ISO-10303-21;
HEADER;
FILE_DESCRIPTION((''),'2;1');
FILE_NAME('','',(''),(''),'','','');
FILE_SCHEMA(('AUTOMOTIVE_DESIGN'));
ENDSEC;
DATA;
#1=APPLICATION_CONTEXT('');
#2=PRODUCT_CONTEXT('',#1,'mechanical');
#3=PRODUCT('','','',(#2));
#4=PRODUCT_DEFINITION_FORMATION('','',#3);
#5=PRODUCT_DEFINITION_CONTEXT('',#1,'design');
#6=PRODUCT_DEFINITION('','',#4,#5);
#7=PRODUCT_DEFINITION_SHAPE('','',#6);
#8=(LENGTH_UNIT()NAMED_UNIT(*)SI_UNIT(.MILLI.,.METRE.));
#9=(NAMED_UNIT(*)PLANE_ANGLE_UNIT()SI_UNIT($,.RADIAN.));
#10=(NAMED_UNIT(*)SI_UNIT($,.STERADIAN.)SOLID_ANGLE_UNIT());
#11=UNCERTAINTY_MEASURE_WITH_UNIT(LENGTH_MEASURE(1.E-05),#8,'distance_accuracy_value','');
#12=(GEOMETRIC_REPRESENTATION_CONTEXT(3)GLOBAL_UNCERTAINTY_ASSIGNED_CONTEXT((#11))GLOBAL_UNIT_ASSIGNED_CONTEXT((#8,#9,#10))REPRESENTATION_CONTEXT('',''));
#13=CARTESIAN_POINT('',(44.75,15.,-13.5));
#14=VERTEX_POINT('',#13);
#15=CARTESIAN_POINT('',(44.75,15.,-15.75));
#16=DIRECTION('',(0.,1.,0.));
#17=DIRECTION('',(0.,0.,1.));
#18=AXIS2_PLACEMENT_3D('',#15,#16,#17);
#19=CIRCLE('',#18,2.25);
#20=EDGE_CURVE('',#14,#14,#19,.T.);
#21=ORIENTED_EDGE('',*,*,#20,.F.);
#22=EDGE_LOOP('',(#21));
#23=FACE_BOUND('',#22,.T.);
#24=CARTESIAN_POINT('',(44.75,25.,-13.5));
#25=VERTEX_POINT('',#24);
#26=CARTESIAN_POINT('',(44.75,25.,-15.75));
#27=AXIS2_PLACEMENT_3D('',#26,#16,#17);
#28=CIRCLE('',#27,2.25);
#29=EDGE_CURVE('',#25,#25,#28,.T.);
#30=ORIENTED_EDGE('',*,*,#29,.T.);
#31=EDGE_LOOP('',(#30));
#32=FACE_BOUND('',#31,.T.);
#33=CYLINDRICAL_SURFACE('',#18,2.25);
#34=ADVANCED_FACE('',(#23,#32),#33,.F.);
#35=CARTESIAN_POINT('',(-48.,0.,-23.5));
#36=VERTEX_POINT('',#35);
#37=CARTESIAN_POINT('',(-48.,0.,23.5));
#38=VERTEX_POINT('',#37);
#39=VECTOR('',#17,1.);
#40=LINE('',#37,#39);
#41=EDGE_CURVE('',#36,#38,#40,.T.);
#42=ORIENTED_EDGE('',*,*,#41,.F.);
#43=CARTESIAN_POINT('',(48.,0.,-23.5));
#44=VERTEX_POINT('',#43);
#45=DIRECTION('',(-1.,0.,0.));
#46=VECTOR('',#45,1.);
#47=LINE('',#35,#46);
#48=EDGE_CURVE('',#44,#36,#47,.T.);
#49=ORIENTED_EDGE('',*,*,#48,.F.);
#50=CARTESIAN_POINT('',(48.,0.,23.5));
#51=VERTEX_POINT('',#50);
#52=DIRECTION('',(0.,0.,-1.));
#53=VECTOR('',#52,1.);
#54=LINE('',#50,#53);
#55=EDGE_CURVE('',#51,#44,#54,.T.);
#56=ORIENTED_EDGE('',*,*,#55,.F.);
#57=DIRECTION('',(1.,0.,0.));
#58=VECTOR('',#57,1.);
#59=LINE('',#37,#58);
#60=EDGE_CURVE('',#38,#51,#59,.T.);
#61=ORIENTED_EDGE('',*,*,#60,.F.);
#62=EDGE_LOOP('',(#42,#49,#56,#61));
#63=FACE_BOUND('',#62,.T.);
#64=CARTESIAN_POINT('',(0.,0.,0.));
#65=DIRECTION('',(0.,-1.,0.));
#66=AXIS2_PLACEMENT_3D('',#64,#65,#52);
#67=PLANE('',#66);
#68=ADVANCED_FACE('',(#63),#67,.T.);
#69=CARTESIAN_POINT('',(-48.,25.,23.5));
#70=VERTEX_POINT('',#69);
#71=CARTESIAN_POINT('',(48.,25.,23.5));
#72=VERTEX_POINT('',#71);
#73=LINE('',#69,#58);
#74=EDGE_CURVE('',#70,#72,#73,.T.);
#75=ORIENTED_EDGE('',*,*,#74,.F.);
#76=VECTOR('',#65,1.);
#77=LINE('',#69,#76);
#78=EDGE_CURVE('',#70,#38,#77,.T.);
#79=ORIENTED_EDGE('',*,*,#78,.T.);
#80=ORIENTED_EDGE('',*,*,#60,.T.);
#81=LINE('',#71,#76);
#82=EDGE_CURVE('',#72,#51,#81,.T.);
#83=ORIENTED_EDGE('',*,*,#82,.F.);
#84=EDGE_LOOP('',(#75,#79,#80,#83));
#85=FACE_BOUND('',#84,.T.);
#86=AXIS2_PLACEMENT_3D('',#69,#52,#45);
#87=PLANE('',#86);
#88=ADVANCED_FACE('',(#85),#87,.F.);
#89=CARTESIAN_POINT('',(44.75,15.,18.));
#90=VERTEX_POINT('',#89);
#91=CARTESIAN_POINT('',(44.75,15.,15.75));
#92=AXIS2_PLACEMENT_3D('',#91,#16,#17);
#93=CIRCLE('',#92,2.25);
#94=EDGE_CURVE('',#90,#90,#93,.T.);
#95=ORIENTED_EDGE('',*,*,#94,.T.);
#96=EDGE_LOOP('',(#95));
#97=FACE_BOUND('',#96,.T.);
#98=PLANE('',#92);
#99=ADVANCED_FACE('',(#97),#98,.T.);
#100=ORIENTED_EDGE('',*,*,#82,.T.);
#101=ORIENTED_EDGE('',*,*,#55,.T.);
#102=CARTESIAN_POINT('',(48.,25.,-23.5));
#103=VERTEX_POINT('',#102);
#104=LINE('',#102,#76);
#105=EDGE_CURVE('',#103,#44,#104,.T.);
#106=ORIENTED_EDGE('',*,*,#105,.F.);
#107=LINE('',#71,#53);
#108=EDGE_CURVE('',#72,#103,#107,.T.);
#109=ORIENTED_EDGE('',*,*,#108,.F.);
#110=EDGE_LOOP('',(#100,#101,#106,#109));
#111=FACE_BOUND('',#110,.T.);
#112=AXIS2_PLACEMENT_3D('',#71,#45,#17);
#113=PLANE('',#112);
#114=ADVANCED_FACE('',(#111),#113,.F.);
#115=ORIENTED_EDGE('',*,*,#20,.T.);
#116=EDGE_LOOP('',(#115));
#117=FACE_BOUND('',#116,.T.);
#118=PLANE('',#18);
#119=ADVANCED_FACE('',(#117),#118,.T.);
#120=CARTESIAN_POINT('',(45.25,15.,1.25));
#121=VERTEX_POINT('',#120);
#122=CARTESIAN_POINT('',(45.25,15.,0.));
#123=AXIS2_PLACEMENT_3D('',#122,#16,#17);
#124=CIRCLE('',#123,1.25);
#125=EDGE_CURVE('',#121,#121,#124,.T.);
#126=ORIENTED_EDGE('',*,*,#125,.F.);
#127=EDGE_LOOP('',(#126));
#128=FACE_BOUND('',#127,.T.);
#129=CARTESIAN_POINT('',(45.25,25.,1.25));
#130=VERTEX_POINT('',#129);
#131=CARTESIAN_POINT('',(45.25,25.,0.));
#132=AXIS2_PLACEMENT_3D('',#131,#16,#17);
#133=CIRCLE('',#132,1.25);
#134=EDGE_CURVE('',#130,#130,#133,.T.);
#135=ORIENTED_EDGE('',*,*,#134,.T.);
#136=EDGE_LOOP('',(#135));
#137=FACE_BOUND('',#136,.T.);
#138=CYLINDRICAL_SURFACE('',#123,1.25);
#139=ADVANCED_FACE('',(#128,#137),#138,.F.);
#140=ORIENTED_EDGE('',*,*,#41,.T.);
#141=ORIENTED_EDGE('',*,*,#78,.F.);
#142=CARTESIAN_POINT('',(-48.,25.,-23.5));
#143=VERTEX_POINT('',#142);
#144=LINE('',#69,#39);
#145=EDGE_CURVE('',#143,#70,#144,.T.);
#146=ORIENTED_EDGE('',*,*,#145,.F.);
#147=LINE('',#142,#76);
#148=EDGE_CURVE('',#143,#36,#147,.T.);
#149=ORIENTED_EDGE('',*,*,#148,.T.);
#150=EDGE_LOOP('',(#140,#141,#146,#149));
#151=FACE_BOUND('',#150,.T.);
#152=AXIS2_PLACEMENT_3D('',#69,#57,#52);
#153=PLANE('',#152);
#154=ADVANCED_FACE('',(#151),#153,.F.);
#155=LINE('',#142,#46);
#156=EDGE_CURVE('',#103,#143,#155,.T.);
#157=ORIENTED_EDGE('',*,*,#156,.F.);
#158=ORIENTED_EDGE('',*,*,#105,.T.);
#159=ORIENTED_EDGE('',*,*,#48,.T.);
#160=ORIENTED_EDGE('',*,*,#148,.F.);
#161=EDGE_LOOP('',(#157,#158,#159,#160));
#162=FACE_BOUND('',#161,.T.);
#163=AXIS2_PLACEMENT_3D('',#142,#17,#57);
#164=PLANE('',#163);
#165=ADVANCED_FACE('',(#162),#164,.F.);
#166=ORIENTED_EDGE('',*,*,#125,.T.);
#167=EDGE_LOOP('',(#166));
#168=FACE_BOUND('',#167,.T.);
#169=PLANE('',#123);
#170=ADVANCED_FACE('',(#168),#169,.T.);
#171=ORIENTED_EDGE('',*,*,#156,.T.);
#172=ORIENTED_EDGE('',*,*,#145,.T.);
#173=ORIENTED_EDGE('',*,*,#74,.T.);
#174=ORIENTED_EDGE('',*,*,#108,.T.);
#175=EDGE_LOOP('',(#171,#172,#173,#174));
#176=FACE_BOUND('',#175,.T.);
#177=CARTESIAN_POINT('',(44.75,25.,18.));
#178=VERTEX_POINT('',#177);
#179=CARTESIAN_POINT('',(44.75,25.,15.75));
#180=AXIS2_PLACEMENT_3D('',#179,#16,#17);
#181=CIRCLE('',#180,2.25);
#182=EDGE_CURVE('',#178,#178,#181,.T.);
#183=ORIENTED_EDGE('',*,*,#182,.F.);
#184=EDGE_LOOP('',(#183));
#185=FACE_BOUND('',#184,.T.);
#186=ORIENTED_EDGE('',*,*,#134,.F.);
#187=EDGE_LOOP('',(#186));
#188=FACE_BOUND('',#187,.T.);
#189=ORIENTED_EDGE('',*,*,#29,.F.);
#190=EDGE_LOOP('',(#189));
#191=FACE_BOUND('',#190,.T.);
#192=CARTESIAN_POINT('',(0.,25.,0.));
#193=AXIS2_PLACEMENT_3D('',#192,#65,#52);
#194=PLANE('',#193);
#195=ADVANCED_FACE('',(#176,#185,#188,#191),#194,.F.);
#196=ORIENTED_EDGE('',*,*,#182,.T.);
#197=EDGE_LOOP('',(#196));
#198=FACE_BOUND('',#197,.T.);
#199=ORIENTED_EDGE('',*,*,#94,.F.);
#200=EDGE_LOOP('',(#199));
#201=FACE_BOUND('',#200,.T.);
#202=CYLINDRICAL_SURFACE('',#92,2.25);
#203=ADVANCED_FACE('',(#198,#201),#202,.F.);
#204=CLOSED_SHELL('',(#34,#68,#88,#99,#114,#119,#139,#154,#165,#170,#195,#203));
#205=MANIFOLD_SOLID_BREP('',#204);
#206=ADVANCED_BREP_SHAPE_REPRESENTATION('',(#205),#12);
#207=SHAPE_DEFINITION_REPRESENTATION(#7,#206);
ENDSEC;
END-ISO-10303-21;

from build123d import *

# Parameters (mm, degrees)
SKETCH1_W           = 96
SKETCH1_H           = 47
BOSS_EXTRUDE1_DEPTH = 25
SKETCH2_R           = 2.25
SKETCH2_R_2         = 1.25
CUT_EXTRUDE1_DEPTH  = 10


with BuildPart() as part:
    # Sketch1 → Boss-Extrude1 (new body)
    with BuildSketch(Plane(origin=(0, 0, 0), x_dir=(1, 0, 0), z_dir=(0, 1, 0))):
        Rectangle(SKETCH1_W, SKETCH1_H)
    extrude(amount=BOSS_EXTRUDE1_DEPTH)

    # Sketch2 → Cut-Extrude1 (cut)
    with BuildSketch(Plane(origin=(0, 25, 0), x_dir=(1, 0, 0), z_dir=(0, 1, 0))):
        with Locations((44.75, 15.75)):
            Circle(SKETCH2_R)
        with Locations((44.75, -15.75)):
            Circle(SKETCH2_R)
        with Locations((45.25, 0)):
            Circle(SKETCH2_R_2)
    extrude(amount=-CUT_EXTRUDE1_DEPTH, mode=Mode.SUBTRACT)


solid = part.part
